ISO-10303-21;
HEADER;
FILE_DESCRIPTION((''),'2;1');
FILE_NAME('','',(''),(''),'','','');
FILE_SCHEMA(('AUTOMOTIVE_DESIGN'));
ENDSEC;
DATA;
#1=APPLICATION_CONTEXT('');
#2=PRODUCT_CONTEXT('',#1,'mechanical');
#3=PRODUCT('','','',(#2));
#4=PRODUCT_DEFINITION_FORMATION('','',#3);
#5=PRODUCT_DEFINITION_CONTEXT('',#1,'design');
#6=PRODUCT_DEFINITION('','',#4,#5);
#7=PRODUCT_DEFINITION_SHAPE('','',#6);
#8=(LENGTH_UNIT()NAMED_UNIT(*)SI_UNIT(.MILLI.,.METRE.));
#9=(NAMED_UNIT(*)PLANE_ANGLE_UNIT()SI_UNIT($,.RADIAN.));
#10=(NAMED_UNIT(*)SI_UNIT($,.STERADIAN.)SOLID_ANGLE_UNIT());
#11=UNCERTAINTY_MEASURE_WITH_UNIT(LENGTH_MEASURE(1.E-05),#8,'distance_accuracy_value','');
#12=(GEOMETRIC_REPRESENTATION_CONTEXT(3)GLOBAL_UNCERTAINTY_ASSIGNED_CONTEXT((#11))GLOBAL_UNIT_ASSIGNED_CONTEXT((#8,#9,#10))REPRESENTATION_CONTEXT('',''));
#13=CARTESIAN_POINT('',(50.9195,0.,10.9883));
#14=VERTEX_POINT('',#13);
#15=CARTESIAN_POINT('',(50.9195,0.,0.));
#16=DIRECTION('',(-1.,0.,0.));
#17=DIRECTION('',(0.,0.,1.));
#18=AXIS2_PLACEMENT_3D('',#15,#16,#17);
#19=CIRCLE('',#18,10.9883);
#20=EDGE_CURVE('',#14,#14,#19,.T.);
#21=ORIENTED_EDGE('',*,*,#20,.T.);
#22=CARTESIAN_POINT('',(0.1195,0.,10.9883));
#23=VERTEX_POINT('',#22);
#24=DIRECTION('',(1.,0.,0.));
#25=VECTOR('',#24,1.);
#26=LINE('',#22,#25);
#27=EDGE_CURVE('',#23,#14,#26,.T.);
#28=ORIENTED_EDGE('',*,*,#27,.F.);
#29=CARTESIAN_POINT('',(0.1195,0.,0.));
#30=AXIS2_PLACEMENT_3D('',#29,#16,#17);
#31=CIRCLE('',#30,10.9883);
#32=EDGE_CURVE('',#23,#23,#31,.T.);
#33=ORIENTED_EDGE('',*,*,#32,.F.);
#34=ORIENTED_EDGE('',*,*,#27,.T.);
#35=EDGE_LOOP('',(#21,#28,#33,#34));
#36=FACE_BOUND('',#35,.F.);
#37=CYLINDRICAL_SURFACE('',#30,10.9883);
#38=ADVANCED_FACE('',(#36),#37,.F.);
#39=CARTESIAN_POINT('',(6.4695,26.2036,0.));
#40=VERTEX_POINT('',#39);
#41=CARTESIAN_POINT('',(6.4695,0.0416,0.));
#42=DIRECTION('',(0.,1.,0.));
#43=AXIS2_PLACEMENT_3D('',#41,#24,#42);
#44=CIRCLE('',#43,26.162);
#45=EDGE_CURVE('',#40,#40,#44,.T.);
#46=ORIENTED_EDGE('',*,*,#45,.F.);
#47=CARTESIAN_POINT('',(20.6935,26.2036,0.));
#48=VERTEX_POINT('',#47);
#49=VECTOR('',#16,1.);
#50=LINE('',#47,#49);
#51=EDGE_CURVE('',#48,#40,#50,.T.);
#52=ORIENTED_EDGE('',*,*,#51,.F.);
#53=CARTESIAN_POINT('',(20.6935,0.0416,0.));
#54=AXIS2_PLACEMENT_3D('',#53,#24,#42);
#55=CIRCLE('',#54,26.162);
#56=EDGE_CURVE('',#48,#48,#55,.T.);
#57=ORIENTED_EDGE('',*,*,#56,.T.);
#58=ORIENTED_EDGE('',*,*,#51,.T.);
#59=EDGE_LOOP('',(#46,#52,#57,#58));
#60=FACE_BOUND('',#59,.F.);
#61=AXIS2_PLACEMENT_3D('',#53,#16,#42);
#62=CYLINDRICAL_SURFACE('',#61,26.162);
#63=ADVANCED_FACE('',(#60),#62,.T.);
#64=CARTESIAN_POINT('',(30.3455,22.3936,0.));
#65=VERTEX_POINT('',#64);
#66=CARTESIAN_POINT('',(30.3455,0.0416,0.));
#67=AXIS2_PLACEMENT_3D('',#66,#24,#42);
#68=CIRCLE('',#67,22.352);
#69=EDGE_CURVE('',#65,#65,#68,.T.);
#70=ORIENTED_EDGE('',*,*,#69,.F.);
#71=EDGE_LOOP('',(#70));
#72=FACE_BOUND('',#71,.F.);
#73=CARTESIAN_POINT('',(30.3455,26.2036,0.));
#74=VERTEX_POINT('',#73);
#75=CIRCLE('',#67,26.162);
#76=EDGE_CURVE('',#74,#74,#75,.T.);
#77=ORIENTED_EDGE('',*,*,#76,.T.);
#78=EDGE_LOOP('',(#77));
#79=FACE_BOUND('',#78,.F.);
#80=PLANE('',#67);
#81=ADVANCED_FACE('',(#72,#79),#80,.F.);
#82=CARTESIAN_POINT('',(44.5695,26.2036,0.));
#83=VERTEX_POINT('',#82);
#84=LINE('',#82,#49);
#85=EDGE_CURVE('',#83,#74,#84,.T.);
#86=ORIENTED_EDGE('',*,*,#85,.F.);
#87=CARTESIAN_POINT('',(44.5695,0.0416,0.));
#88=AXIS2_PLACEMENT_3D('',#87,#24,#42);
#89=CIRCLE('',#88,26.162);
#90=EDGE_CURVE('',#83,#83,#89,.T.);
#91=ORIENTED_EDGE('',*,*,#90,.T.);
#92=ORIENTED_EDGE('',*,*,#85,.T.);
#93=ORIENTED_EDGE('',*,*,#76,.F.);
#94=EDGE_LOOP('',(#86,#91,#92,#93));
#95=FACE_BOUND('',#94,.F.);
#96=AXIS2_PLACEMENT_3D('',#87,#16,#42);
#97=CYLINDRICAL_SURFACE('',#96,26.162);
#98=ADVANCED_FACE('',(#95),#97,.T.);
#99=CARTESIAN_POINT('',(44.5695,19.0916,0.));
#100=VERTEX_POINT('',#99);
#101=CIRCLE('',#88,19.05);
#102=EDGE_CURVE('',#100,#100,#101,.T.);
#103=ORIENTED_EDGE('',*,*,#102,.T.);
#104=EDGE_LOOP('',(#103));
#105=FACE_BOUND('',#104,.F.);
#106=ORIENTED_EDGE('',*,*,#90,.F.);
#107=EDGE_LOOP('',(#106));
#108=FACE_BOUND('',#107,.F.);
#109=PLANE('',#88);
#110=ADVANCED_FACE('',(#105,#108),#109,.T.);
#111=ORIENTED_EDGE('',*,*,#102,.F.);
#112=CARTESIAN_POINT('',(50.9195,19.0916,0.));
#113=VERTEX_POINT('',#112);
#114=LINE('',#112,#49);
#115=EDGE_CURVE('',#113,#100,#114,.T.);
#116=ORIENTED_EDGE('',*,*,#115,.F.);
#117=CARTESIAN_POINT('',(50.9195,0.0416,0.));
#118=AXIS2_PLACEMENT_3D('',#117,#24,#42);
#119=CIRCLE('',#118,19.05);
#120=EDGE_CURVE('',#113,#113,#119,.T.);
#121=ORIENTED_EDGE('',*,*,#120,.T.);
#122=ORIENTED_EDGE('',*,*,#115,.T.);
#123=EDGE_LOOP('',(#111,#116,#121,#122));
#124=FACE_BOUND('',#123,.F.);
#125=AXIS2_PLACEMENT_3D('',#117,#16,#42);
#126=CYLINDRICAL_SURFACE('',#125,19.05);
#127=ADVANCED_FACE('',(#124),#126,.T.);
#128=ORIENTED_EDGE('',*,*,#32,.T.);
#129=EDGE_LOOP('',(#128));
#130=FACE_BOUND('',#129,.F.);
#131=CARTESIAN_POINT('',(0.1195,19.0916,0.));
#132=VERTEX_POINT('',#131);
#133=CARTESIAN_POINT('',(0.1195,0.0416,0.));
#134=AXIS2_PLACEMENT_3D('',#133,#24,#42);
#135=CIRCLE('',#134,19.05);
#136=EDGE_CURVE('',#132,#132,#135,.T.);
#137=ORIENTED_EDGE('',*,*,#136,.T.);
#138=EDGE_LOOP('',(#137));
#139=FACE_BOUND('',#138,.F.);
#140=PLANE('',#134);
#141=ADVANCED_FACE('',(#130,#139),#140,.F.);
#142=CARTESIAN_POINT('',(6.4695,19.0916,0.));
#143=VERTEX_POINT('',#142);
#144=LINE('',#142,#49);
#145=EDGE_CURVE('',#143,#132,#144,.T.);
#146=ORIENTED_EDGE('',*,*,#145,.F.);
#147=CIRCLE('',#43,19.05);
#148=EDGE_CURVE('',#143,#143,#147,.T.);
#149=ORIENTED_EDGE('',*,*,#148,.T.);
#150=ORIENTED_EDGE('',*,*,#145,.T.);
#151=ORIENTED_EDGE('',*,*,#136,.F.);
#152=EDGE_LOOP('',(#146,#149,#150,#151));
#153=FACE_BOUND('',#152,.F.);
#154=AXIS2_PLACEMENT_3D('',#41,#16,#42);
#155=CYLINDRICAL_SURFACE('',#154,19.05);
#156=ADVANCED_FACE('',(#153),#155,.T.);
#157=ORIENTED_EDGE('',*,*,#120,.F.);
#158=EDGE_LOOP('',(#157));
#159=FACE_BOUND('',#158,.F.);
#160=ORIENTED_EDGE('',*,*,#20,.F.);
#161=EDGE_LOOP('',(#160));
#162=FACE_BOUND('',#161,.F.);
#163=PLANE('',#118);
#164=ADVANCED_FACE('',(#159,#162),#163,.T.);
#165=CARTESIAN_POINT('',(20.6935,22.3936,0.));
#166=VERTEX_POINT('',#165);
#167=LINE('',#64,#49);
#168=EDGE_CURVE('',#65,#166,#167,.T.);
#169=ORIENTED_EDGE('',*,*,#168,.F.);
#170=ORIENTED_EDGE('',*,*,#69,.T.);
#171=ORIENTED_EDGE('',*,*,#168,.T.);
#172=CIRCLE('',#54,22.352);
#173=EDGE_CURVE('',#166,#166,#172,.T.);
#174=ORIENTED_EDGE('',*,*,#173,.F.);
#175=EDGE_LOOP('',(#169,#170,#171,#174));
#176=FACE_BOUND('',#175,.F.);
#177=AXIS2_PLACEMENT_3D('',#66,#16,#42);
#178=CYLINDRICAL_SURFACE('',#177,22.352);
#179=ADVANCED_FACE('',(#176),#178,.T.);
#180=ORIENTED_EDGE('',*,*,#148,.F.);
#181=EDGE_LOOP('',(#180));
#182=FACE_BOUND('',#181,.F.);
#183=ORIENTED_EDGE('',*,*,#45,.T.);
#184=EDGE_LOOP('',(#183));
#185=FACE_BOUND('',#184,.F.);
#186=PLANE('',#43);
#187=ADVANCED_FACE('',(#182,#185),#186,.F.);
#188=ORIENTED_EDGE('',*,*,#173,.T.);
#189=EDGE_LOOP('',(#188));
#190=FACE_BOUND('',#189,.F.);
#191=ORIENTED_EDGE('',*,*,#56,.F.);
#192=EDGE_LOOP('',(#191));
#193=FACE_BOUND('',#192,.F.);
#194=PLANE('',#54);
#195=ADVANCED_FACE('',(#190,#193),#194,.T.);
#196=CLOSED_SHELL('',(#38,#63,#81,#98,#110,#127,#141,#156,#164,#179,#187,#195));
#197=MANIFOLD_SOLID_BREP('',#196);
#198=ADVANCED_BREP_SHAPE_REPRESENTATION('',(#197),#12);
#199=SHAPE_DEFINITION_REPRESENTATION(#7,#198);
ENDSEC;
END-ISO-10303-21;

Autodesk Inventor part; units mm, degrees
ref_plane "YZ Plane" through (0, 0, 0) normal (1, 0, 0) x (0, 1, 0)
ref_plane "XZ Plane" through (0, 0, 0) normal (0, 1, 0) x (-1, 0, 0)
ref_plane "XY Plane" through (0, 0, 0) normal (0, 0, 1) x (1, 0, 0)
sketch "Boceto1" plane through (0, 0, 0) normal (0, 0, 1) x (1, 0, 0)
  line L0 (0.1195, 0.0416) -> (6.4695, 0.0416)
  line L1 (6.4695, 0.0416) -> (6.4695, 19.0916)
  line L2 (6.4695, 19.0916) -> (0.1195, 19.0916)
  line L3 (0.1195, 19.0916) -> (0.1195, 0.0416)
  line L4 (6.4695, 0.0416) -> (20.6935, 0.0416)
  line L5 (20.6935, 0.0416) -> (20.6935, 26.2036)
  line L6 (20.6935, 26.2036) -> (6.4695, 26.2036)
  line L7 (6.4695, 26.2036) -> (6.4695, 0.0416)
  line L8 (20.6935, 0.0416) -> (30.3455, 0.0416)
  line L9 (30.3455, 0.0416) -> (30.3455, 22.3936)
  line L10 (30.3455, 22.3936) -> (20.6935, 22.3936)
  line L11 (20.6935, 22.3936) -> (20.6935, 0.0416)
  line L12 (30.3455, 0.0416) -> (44.5695, 0.0416)
  line L13 (44.5695, 0.0416) -> (44.5695, 26.2036)
  line L14 (44.5695, 26.2036) -> (30.3455, 26.2036)
  line L15 (30.3455, 26.2036) -> (30.3455, 0.0416)
  line L16 (44.5695, 0.0416) -> (50.9195, 0.0416)
  line L17 (50.9195, 0.0416) -> (50.9195, 19.0916)
  line L18 (50.9195, 19.0916) -> (44.5695, 19.0916)
  line L19 (44.5695, 19.0916) -> (44.5695, 0.0416)
  line L20 (0.1195, 0.0416) -> (50.9195, 0.0416)
  dimension "d2" = 19.05
  dimension "d3" = 26.162
  dimension "d4" = 9.652
  dimension "d5" = 50.8
  dimension "d6" = 14.224
  dimension "d7" = 6.35
  dimension "d8" = 3.81
revolve "Revolución1" add sketch "Boceto1" angle 360 about axis through (0.1195, 0.0416, 0) along (1, 0, 0)
sketch "Boceto2" plane through (0.1195, 0.0416, 0) normal (-1, 0, 0) x (0, 0, 1)
  circle A0 centre (0, -0.0416) radius 10.9883
extrude "Extrusión1" cut sketch "Boceto2" against normal blind 50.8
equation "\"d2\" = 0.5 * DistC"
equation "\"d3\" = 0.5 * DistA"
equation "\"d4\" = DistE"
equation "\"d5\" = DistB"
equation "\"d6\" = DistX"
equation "\"d7\" = DistD - DistX"
equation "\"d10\" = DistB"
equation "\"DistA\" = 52.324"
equation "\"DistB\" = 50.8"
equation "\"DistC\" = 38.1"
equation "\"DistD\" = 20.574"
equation "\"DistE\" = 9.652"
equation "\"DistX\" = 14.224"
properties part number "Pieza2-Tarea2"
